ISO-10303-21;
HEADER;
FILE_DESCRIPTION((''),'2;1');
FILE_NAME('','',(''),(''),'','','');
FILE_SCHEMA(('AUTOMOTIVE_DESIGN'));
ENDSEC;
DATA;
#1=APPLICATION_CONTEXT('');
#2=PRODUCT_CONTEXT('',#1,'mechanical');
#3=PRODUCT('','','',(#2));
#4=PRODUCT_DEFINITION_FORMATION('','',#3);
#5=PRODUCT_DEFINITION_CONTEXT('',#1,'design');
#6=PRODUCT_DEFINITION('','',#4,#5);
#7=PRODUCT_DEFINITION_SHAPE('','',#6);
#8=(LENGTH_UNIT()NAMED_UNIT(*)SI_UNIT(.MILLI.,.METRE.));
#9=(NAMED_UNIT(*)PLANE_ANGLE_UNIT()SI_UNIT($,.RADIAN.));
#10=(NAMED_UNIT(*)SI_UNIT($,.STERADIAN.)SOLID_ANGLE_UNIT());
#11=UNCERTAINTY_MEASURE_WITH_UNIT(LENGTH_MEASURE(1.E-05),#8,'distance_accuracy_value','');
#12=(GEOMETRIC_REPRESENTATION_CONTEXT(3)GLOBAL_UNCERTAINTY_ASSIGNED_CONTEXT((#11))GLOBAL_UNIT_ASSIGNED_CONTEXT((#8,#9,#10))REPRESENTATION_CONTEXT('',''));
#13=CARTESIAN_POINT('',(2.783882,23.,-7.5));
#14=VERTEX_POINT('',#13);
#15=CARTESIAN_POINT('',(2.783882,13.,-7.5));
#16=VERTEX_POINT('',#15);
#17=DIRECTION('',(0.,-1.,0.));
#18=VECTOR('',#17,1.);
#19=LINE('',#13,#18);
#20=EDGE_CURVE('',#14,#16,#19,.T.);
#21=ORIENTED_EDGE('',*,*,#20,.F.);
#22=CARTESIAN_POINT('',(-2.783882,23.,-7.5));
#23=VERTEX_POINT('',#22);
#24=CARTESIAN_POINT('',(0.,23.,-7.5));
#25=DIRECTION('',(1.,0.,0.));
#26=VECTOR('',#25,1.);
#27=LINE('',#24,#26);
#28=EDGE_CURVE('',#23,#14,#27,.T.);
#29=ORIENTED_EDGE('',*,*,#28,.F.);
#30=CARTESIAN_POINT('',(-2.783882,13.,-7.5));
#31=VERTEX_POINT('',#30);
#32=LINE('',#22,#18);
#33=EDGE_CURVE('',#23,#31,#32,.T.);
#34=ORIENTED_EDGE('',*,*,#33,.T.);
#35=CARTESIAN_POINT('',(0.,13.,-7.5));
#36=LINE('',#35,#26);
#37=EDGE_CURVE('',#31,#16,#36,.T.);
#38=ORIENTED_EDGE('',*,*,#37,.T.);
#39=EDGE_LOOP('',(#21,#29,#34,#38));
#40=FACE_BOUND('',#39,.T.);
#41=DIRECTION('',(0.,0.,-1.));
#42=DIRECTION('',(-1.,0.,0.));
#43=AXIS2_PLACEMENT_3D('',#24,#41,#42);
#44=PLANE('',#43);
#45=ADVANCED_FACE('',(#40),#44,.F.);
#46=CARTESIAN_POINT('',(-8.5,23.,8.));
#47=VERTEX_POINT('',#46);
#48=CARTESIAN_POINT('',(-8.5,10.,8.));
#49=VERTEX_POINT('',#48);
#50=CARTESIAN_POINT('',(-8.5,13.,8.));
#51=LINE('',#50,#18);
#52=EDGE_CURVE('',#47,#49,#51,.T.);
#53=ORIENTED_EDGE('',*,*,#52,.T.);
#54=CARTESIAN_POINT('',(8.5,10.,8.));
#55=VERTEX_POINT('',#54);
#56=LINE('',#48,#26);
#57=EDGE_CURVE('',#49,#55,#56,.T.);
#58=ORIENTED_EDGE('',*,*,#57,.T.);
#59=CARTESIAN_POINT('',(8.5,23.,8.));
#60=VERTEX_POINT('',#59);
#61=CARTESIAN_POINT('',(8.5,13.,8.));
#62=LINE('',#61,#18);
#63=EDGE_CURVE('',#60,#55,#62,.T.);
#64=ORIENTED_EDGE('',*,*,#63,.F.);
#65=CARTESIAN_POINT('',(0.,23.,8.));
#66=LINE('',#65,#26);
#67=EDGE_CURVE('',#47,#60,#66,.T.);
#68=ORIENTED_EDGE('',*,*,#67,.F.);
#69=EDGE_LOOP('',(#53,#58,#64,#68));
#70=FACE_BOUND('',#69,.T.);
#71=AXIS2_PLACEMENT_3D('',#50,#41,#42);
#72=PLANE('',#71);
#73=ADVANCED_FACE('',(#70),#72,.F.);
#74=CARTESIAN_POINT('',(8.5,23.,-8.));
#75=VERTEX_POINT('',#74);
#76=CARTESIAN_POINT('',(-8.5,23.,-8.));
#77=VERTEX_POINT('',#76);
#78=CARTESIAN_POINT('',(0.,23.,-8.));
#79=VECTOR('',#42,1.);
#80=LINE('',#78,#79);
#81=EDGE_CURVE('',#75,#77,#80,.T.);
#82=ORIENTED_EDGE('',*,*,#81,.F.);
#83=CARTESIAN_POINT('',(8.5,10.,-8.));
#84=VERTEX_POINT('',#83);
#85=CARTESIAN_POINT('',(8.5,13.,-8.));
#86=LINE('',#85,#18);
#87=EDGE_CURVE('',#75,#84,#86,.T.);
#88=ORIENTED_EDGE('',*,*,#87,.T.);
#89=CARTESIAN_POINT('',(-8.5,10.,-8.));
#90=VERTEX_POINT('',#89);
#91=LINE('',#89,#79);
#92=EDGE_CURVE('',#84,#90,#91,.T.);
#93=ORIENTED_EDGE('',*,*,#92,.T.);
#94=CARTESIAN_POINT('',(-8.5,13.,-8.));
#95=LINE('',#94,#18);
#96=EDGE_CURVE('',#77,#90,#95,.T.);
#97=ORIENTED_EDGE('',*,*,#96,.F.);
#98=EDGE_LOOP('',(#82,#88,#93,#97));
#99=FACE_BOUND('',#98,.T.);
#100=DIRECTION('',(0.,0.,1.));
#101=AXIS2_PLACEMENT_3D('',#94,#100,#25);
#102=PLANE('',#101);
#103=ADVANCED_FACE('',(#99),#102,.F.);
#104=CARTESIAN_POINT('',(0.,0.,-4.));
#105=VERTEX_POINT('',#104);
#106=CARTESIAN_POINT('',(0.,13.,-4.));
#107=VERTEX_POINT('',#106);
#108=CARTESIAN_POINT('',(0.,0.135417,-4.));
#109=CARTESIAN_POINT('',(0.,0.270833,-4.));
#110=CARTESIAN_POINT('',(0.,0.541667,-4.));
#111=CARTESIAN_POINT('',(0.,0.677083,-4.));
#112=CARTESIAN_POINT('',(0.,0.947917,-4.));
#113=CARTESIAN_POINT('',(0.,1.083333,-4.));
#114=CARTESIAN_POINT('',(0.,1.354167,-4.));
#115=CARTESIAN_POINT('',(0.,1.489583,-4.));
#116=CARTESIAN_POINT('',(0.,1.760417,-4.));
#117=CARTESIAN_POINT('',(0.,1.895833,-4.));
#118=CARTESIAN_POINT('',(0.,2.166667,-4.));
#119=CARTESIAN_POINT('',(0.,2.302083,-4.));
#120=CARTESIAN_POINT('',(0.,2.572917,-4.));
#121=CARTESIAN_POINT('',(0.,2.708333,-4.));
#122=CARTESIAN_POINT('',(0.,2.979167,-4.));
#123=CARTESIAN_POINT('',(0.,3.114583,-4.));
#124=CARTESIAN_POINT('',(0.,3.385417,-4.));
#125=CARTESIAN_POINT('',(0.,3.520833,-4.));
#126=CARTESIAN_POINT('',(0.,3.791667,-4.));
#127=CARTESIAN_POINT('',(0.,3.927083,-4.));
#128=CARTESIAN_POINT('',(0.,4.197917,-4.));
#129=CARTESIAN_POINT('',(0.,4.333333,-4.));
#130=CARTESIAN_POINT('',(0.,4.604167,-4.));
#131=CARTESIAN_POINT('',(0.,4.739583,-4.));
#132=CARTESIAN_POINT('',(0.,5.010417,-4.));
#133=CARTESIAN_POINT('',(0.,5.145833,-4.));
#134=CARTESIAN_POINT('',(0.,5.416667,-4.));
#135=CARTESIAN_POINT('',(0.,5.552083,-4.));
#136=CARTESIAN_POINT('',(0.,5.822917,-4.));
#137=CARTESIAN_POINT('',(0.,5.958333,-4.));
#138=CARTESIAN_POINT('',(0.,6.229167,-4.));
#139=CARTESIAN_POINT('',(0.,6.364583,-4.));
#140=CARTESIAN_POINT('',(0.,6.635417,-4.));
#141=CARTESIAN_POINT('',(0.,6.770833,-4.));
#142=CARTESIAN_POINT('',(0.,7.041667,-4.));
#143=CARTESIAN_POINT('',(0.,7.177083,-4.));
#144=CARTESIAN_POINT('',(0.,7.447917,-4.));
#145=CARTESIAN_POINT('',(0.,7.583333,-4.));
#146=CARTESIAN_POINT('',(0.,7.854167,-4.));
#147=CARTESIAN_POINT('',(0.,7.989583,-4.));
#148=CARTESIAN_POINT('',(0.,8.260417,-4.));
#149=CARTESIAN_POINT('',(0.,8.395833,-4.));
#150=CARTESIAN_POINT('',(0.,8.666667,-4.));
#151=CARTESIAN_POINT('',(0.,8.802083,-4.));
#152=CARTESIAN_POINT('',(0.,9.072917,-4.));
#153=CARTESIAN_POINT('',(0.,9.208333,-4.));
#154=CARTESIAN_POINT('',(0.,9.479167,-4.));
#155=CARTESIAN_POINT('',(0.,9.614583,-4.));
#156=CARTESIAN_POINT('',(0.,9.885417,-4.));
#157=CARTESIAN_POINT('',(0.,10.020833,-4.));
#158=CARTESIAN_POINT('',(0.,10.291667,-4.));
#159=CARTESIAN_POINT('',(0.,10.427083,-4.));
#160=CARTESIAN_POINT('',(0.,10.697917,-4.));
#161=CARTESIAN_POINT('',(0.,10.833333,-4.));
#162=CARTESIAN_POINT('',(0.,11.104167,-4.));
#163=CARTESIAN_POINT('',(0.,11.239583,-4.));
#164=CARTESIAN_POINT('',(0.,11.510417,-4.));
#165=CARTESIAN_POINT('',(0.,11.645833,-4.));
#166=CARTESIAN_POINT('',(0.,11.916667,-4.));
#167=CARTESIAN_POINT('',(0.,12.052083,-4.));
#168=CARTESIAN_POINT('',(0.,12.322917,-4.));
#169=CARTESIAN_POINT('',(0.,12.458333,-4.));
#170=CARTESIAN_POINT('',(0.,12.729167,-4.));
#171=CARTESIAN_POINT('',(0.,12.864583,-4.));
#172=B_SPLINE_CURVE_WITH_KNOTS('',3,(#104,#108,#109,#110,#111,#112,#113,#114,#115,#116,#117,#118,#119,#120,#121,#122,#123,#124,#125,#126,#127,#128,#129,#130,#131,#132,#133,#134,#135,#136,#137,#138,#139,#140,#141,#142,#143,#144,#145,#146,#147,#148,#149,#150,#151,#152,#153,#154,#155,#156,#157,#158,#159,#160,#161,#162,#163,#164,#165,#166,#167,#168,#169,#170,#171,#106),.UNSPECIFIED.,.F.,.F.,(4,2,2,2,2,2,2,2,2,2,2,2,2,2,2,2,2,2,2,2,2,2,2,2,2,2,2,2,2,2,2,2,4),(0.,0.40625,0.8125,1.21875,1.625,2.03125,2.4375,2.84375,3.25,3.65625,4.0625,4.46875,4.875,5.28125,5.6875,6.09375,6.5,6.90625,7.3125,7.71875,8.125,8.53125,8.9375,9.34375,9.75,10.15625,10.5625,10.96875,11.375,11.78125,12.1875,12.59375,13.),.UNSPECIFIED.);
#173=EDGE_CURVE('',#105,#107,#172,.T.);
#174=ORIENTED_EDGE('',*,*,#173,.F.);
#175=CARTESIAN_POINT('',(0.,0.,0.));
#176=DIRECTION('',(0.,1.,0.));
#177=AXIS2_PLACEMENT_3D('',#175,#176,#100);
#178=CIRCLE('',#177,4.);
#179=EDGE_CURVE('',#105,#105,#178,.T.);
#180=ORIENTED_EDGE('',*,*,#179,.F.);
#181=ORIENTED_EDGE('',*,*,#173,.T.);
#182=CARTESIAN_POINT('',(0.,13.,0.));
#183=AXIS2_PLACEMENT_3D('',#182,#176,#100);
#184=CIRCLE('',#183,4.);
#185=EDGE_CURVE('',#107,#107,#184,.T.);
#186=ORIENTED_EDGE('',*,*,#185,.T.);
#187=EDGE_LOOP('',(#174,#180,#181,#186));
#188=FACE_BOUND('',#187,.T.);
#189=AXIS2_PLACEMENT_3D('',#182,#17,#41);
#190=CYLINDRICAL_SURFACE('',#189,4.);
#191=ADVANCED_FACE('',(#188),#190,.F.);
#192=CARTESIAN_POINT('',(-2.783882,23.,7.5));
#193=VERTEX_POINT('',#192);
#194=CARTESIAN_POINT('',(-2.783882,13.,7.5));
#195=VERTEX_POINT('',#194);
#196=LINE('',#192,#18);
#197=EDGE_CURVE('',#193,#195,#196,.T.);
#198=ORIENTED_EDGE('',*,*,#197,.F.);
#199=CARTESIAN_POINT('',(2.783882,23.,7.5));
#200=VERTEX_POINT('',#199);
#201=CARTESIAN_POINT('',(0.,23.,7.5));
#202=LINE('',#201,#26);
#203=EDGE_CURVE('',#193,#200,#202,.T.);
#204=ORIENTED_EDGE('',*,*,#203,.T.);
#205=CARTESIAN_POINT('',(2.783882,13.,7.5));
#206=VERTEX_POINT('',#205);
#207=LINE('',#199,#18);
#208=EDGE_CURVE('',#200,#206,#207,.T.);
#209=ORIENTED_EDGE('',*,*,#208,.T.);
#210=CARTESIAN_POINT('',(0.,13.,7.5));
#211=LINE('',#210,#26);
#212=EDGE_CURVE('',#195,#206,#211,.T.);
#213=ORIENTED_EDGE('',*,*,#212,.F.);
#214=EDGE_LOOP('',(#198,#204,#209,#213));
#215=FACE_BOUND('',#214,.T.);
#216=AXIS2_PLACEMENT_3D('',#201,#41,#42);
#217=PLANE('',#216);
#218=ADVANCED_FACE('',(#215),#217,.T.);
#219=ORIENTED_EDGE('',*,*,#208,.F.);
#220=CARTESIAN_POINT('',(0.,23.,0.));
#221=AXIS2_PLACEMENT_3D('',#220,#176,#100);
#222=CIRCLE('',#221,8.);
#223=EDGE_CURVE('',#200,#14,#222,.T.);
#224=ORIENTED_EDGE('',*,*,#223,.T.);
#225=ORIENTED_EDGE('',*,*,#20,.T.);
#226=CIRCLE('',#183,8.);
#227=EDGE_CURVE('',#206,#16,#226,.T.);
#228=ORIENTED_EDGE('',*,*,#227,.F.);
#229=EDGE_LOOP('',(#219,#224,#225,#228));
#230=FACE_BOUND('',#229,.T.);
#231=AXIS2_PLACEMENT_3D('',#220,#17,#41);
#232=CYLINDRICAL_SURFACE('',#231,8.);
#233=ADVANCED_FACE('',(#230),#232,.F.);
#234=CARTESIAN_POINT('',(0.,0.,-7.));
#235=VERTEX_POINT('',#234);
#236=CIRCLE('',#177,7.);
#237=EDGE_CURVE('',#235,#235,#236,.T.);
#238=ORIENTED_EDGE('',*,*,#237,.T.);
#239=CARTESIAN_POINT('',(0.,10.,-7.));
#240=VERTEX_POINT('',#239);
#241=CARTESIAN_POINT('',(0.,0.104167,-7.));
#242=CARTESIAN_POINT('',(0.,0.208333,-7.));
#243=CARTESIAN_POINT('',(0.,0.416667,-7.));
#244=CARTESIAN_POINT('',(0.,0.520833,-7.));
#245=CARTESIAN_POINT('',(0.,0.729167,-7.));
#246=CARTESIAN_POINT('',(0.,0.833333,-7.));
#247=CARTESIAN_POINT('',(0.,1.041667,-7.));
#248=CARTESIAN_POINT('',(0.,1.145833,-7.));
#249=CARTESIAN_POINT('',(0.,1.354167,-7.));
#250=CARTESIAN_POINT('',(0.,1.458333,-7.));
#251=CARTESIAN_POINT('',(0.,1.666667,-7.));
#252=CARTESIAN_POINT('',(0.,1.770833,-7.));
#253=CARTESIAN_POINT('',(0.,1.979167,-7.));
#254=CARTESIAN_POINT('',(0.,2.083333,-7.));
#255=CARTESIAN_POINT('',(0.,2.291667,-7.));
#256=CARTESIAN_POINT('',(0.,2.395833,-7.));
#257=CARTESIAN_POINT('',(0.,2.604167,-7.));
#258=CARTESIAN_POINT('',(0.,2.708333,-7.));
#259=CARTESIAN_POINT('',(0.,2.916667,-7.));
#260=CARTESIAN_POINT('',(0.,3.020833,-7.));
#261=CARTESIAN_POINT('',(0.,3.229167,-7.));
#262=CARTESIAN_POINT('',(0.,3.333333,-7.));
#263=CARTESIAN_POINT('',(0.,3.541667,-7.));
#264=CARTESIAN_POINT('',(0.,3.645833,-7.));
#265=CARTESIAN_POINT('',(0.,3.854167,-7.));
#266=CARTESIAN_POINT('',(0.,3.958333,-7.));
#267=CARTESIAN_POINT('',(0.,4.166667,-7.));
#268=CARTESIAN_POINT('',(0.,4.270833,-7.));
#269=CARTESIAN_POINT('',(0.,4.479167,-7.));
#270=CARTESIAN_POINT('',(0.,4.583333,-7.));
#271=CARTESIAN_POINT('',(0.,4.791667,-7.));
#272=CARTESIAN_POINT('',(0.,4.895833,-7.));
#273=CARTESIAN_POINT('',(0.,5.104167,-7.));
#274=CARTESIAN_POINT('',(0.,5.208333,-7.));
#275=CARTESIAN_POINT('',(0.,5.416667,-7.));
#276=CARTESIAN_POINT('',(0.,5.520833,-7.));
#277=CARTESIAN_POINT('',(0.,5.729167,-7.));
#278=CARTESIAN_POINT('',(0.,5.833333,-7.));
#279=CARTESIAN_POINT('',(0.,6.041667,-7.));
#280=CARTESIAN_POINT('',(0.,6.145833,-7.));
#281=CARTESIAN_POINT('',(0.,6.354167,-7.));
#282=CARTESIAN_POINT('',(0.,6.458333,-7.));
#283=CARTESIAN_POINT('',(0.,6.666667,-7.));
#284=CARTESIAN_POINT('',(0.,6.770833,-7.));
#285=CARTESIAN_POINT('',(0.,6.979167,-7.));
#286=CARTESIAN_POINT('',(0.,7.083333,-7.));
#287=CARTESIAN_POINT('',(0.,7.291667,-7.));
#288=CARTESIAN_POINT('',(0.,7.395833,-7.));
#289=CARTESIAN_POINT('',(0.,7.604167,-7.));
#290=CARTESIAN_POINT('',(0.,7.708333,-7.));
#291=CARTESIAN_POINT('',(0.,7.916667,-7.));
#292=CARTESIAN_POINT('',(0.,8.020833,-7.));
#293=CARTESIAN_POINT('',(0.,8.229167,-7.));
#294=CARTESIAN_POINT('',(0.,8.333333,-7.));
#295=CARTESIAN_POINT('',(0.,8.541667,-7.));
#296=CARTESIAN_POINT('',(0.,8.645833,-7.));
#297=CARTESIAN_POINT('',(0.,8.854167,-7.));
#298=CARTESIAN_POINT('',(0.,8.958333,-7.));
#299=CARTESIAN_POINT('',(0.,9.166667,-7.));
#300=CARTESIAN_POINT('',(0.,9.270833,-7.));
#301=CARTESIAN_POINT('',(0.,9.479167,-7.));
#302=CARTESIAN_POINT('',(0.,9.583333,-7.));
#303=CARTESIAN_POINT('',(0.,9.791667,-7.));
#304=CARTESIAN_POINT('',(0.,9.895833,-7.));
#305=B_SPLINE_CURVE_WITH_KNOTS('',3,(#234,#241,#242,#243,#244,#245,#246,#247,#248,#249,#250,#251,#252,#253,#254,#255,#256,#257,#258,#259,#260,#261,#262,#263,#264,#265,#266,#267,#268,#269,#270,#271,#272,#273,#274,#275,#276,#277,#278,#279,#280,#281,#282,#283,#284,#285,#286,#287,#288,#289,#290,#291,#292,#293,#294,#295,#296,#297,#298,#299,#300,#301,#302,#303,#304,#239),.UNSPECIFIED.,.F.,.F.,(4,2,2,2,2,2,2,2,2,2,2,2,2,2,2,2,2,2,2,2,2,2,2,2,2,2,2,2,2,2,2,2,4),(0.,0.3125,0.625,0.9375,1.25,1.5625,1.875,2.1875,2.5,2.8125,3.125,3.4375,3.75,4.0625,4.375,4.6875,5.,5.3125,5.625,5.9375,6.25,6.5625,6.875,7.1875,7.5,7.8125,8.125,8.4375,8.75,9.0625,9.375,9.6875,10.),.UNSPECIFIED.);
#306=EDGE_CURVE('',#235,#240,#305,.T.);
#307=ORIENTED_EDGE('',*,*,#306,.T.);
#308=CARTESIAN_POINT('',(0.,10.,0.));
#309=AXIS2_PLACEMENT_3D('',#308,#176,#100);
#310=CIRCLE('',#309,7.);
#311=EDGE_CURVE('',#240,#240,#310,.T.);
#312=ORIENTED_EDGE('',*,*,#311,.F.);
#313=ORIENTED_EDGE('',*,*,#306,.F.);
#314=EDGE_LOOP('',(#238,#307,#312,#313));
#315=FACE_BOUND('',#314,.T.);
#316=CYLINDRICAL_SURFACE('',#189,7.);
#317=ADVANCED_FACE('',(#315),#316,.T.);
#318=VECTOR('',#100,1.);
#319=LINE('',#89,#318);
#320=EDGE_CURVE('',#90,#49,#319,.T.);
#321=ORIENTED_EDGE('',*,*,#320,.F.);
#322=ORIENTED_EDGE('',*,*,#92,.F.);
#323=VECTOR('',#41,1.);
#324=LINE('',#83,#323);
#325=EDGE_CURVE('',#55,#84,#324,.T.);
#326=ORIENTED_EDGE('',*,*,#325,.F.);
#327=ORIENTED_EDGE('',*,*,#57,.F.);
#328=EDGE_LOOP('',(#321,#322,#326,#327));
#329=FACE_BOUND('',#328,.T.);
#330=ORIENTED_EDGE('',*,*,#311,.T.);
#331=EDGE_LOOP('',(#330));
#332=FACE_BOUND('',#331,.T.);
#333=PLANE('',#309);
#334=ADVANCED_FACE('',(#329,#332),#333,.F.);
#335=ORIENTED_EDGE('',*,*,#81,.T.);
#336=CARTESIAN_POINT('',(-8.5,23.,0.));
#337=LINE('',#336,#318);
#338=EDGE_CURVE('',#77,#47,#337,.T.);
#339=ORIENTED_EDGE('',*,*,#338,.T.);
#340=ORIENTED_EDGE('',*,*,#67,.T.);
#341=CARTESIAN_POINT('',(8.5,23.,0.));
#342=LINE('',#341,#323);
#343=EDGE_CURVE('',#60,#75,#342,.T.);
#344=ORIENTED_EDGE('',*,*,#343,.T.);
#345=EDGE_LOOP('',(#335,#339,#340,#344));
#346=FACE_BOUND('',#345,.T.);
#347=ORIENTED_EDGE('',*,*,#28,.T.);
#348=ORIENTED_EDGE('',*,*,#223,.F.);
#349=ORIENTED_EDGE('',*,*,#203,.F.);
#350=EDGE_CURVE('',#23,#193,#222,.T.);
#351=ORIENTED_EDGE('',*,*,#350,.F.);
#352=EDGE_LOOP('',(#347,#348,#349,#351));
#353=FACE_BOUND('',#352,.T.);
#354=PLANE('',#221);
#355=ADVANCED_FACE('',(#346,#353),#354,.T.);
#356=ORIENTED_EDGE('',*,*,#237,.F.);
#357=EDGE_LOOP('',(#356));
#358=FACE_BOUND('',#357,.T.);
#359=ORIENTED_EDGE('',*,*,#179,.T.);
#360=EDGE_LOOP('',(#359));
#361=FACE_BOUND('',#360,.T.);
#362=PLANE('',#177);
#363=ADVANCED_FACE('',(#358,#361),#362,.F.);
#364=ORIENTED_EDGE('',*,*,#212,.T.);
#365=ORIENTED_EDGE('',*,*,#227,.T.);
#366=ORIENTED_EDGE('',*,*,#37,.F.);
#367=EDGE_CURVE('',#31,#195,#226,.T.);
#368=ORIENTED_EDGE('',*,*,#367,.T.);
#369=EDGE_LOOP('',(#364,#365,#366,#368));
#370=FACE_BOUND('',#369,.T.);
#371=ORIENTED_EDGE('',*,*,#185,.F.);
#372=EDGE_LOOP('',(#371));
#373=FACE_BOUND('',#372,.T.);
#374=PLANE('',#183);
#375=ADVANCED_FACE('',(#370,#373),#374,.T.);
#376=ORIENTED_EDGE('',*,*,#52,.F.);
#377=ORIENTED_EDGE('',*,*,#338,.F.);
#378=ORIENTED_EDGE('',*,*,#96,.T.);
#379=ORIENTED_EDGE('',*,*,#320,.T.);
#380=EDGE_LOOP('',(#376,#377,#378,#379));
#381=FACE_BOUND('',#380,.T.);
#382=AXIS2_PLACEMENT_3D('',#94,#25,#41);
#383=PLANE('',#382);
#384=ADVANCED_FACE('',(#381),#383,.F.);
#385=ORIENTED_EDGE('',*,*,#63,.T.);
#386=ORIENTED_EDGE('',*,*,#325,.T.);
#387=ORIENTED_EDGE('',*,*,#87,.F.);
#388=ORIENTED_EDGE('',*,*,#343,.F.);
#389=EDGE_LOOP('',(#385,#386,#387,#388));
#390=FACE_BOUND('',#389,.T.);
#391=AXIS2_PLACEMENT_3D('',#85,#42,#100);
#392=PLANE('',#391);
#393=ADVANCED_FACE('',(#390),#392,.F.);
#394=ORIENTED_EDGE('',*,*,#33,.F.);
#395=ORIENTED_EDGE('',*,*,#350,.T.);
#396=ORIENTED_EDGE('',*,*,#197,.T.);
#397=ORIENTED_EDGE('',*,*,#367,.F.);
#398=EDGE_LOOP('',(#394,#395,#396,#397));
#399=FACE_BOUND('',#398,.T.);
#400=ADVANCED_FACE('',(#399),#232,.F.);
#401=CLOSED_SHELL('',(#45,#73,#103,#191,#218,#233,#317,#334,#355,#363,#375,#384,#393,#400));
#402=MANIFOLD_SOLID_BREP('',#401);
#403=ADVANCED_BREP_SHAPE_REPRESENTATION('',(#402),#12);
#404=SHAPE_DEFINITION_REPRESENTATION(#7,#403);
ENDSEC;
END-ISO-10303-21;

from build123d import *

# Parameters (mm, degrees)
SKETCH1_R           = 7
SKETCH1_R_2         = 4
BOSS_EXTRUDE1_DEPTH = 13
SKETCH5_W           = 17
SKETCH5_H           = 16
BOSS_EXTRUDE3_DEPTH = 3
CUT_EXTRUDE2_START  = -14
SKETCH7_R           = 4
CUT_EXTRUDE2_DEPTH  = 14
SKETCH6_W           = 17
SKETCH6_H           = 16
BOSS_EXTRUDE5_DEPTH = 10


with BuildPart() as part:
    # Sketch1 → Boss-Extrude1 (new body)
    with BuildSketch(Plane(origin=(0, 0, 0), x_dir=(1, 0, 0), z_dir=(0, 1, 0))):
        with Locations(Location((0, 0, 0), (0, 0, 90))):
            Circle(SKETCH1_R)
        with Locations(Location((0, 0, 0), (0, 0, 90))):
            Circle(SKETCH1_R_2, mode=Mode.SUBTRACT)
    extrude(amount=BOSS_EXTRUDE1_DEPTH)

    # Sketch5 → Boss-Extrude3 (add)
    with BuildSketch(Plane(origin=(0, 10, 0), x_dir=(1, 0, 0), z_dir=(0, 1, 0))):
        Rectangle(SKETCH5_W, SKETCH5_H)
    extrude(amount=BOSS_EXTRUDE3_DEPTH)

    # Sketch7 → Cut-Extrude2 (cut)
    with BuildSketch(Plane(origin=(0, 13, 0), x_dir=(1, 0, 0), z_dir=(0, 1, 0)).offset(CUT_EXTRUDE2_START)):
        with Locations(Location((0, 0, 0), (0, 0, 90))):
            Circle(SKETCH7_R)
    extrude(amount=CUT_EXTRUDE2_DEPTH, mode=Mode.SUBTRACT)

    # Sketch6 → Boss-Extrude5 (add)
    with BuildSketch(Plane(origin=(0, 13, 0), x_dir=(1, 0, 0), z_dir=(0, 1, 0))):
        Rectangle(SKETCH6_W, SKETCH6_H)
        with BuildLine():
            ThreePointArc((2.783882181, -7.5), (8, 0), (2.783882181, 7.5))
            Line((2.783882181, 7.5), (-2.783882181, 7.5))
            ThreePointArc((-2.783882181, 7.5), (-8, 0), (-2.783882181, -7.5))
            Line((-2.783882181, -7.5), (2.783882181, -7.5))
        make_face(mode=Mode.SUBTRACT)
    extrude(amount=BOSS_EXTRUDE5_DEPTH)


solid = part.part
